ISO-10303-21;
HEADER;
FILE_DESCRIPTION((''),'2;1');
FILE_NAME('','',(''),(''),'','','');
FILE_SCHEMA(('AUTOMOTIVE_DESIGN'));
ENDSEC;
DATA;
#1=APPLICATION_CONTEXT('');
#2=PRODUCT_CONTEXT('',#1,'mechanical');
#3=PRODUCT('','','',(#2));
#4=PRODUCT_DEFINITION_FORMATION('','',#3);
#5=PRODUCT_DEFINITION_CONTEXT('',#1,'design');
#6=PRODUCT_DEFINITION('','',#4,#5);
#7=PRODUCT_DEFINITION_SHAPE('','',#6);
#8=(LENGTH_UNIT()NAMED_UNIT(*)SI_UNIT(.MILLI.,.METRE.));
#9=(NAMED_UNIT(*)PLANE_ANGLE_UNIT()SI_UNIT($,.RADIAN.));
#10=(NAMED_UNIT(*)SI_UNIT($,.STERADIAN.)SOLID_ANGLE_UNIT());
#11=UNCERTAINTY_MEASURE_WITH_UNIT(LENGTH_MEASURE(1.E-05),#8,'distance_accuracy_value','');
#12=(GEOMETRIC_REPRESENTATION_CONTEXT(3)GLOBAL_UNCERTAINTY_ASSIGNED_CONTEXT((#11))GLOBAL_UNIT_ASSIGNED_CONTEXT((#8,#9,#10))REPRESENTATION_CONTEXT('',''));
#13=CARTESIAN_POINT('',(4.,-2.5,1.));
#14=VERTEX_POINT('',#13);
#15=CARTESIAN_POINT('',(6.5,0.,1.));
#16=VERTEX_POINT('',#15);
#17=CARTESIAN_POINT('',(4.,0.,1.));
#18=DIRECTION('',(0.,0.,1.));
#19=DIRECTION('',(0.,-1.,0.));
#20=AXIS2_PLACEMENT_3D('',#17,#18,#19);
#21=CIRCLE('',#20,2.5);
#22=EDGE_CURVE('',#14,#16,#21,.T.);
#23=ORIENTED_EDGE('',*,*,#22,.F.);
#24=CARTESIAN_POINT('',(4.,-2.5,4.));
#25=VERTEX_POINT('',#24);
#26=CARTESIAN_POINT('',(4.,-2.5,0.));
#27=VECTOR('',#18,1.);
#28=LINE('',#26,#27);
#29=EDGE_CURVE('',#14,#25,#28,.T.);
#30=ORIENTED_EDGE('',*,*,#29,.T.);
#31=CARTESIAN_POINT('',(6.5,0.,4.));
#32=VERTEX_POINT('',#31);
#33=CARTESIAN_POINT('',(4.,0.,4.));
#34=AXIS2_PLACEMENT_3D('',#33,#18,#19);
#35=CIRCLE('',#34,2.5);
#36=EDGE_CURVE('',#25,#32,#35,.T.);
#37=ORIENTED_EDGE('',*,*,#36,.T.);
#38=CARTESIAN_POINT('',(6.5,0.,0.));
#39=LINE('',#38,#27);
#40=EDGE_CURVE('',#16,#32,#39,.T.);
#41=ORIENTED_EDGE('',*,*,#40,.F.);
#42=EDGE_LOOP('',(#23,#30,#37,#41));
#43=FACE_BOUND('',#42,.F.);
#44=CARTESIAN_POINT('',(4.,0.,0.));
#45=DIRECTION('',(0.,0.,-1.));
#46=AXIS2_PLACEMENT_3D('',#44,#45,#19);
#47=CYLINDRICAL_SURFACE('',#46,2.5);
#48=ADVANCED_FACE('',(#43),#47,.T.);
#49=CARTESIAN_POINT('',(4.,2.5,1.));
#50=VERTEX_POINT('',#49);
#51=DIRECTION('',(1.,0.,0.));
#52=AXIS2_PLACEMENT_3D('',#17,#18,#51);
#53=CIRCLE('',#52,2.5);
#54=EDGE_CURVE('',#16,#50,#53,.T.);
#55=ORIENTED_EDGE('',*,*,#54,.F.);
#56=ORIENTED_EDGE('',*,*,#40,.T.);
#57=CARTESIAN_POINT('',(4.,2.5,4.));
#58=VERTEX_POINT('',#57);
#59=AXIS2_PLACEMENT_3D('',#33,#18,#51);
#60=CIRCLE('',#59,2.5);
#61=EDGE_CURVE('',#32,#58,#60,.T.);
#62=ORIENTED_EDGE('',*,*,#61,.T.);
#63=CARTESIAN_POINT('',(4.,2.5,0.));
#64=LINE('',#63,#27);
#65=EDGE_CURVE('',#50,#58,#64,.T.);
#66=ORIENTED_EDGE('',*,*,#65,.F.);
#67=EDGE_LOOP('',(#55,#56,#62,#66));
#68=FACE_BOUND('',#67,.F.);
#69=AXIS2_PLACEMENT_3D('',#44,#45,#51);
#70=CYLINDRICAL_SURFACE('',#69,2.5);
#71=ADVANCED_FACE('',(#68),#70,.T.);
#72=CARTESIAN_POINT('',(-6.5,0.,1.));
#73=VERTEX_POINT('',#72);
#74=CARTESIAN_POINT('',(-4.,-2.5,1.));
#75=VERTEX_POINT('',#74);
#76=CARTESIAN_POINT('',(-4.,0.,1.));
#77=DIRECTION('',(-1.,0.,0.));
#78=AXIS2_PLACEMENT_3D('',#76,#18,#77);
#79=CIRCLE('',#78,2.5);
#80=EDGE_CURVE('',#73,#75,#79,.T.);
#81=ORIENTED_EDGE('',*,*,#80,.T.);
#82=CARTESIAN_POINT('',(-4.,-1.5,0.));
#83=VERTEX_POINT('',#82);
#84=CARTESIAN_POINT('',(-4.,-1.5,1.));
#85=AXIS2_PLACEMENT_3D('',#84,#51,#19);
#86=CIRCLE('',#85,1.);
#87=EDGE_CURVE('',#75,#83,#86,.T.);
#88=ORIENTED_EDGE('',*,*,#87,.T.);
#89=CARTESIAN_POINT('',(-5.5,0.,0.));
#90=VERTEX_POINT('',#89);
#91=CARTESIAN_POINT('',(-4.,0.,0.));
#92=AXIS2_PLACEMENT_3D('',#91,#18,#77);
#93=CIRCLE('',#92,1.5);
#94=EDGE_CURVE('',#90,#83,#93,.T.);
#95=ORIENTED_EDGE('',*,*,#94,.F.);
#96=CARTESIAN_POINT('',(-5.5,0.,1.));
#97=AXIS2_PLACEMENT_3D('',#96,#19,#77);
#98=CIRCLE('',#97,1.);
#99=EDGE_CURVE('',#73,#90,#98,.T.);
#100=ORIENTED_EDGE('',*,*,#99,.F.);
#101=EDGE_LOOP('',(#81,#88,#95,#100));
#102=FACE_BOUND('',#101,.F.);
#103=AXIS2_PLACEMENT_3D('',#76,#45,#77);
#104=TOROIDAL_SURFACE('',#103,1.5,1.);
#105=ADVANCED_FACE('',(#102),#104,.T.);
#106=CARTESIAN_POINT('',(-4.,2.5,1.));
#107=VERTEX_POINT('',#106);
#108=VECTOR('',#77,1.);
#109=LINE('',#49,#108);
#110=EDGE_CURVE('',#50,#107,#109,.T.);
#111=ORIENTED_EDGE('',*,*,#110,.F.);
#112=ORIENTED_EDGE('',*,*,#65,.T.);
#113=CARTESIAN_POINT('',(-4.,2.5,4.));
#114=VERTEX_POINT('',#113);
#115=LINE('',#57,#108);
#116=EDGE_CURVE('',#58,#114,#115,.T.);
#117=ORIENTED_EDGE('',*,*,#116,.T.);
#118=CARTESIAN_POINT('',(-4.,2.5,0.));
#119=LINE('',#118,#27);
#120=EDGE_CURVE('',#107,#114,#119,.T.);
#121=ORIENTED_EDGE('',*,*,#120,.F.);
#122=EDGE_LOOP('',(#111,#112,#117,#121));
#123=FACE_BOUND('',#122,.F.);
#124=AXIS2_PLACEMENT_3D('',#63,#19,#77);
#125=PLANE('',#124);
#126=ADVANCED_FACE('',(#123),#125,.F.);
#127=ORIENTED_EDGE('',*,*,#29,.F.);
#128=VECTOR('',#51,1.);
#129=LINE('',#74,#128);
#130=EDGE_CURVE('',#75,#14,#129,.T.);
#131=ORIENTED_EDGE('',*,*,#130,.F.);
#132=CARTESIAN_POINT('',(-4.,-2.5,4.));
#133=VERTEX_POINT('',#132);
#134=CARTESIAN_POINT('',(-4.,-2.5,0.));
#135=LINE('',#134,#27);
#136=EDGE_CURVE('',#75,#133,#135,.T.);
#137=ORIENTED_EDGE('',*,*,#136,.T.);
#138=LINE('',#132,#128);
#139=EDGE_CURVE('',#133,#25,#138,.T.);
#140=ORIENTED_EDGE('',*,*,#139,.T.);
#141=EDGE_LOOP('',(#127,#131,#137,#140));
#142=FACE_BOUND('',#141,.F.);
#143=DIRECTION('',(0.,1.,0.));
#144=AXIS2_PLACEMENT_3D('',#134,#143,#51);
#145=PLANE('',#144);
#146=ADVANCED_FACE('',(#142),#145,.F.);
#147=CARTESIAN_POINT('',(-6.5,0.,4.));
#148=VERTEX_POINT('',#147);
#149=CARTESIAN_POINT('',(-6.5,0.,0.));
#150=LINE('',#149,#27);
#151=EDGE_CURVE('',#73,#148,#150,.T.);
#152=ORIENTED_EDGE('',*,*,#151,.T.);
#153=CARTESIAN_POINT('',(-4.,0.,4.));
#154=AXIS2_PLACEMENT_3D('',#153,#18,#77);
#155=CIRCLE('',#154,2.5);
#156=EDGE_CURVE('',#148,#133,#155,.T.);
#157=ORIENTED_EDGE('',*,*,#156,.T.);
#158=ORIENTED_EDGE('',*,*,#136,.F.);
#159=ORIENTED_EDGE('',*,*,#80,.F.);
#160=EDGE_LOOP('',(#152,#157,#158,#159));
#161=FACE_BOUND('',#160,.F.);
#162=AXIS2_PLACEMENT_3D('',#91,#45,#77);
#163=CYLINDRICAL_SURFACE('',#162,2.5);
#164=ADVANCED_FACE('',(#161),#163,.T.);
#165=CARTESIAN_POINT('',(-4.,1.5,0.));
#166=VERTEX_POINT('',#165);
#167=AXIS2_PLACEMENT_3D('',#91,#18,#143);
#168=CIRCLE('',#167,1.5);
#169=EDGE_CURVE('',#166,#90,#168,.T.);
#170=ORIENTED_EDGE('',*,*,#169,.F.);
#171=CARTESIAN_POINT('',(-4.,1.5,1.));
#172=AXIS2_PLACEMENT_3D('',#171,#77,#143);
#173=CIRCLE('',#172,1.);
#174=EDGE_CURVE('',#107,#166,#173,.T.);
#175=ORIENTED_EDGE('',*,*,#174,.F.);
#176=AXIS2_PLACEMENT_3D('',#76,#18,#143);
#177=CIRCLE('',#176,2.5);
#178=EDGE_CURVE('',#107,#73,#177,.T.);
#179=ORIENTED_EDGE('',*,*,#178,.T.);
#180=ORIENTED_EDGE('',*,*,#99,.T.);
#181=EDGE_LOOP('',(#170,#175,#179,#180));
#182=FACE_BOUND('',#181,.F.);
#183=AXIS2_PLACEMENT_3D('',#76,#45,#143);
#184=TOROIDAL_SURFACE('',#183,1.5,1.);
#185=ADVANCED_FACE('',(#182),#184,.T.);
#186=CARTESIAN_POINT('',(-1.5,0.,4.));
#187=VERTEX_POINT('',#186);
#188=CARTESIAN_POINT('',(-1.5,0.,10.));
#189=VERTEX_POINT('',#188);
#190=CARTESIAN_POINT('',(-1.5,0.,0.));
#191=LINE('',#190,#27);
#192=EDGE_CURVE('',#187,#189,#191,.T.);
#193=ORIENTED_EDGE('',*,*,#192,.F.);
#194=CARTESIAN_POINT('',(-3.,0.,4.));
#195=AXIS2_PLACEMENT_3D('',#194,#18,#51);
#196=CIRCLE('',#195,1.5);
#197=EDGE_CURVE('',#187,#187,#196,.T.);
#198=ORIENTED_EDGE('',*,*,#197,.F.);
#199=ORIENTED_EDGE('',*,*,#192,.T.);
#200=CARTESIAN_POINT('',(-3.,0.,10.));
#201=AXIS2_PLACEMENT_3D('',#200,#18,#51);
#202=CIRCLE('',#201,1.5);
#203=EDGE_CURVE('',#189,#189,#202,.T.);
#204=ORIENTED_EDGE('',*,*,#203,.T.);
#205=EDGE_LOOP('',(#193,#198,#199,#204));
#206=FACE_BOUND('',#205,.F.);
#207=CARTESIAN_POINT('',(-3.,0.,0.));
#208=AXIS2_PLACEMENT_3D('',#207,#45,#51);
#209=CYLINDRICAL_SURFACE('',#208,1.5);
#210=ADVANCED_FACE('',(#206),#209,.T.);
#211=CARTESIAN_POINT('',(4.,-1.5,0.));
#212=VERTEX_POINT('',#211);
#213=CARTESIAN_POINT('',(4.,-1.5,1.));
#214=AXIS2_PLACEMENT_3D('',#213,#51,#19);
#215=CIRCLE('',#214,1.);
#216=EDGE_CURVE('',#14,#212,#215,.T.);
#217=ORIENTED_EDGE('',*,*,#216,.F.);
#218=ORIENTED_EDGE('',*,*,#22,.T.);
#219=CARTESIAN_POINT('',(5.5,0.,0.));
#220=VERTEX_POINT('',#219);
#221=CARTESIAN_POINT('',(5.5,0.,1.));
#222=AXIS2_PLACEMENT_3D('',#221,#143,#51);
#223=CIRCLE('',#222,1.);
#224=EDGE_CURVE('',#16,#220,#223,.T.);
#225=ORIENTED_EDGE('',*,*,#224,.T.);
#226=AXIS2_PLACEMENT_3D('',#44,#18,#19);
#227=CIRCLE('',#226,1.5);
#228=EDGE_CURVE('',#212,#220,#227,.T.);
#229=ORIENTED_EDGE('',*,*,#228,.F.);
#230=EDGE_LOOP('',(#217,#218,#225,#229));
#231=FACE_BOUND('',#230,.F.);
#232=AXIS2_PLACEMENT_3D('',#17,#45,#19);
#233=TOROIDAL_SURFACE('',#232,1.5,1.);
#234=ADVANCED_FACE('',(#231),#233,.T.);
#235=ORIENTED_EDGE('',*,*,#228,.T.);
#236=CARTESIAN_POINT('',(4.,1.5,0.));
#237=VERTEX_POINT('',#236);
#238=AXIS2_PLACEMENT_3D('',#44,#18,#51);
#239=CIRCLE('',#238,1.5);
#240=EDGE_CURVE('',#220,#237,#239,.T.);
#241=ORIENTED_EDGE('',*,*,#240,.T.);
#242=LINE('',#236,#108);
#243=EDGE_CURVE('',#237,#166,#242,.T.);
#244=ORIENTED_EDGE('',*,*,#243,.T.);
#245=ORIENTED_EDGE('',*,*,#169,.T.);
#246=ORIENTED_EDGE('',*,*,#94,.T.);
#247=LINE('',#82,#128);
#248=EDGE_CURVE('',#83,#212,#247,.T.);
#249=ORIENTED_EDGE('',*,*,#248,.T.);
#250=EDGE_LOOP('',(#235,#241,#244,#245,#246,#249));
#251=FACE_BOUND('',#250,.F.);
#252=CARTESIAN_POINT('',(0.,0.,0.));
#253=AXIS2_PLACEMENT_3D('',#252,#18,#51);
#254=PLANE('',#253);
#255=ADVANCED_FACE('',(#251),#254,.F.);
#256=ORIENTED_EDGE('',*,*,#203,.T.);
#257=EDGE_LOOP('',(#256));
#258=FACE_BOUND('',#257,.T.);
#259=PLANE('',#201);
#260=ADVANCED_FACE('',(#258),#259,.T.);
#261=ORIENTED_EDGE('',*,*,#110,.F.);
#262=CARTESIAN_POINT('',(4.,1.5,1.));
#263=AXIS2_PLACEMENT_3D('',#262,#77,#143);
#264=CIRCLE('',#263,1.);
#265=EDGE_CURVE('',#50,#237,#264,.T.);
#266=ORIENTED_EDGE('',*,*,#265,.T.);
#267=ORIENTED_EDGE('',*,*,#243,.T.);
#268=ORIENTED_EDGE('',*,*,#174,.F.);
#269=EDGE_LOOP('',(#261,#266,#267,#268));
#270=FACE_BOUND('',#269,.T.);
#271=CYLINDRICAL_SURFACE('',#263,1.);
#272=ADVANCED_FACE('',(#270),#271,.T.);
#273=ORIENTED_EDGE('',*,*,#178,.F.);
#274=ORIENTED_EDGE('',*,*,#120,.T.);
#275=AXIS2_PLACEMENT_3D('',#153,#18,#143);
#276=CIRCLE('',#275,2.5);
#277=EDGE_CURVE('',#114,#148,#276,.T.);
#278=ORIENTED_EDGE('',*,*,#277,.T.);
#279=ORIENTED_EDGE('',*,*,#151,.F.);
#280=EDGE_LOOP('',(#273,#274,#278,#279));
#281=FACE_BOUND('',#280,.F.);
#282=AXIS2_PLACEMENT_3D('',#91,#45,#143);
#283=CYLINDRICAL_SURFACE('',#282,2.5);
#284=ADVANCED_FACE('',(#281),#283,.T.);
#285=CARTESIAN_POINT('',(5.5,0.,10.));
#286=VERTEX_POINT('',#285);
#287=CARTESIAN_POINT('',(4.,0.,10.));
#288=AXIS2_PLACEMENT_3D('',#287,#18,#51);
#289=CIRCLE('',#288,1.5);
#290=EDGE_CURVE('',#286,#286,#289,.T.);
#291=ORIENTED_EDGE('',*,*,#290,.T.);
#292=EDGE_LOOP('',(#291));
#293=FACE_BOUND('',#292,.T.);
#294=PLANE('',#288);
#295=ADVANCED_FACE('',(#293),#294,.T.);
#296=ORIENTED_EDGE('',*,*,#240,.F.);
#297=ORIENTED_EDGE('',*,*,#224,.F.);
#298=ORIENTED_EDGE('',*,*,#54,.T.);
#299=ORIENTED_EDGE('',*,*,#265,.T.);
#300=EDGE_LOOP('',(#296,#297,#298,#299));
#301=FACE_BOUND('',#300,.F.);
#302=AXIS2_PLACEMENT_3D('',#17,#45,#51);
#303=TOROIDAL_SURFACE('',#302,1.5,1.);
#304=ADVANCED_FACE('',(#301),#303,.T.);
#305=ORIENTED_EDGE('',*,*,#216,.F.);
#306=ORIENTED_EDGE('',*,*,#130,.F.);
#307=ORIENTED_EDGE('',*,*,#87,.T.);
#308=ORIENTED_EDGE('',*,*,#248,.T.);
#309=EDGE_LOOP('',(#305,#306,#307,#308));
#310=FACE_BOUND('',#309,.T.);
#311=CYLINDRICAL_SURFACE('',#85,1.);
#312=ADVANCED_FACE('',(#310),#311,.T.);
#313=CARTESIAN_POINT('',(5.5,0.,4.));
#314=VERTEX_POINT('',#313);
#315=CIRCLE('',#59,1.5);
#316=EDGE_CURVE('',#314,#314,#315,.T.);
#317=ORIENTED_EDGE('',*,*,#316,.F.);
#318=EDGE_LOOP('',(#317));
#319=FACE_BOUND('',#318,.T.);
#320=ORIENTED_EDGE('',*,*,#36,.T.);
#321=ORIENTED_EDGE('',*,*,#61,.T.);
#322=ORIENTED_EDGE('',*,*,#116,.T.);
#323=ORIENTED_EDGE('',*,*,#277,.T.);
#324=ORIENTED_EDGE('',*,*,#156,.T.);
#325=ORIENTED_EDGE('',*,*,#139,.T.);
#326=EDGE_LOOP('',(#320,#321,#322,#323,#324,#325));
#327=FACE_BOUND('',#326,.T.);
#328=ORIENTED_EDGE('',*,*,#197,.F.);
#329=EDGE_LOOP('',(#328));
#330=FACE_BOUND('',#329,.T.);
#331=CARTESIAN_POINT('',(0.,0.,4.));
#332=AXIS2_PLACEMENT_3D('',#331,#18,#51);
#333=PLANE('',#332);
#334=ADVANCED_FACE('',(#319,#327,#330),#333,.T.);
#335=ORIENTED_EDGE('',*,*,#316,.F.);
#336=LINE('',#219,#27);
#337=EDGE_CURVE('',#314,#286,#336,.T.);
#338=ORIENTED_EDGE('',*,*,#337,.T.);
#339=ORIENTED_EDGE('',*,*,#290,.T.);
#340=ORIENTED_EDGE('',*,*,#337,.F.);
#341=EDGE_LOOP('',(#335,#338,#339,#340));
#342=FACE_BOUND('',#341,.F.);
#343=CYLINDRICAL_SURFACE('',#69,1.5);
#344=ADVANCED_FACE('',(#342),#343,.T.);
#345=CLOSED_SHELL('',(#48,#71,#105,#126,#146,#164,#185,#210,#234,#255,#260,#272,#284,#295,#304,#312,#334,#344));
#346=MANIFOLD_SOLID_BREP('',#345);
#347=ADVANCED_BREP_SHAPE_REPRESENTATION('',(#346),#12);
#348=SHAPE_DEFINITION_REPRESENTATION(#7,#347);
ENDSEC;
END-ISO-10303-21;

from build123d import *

# Parameters (mm, degrees)
F0_R     = 1.5
F1_DEPTH = 10
F2_DEPTH = 4
F3_R     = 1


with BuildPart() as f1:
    # F0 (on Top) → F1 (new body)
    with BuildSketch(Plane.XY):
        with Locations((4, 0)):
            Circle(F0_R)
    extrude(amount=F1_DEPTH)



with BuildPart() as f1b:
    # F0 (on Top) → F1, piece 2 (new body)
    with BuildSketch(Plane.XY):
        with Locations((-3, 0)):
            Circle(F0_R)
    extrude(amount=F1_DEPTH)


with BuildPart() as f1_1:
    add(f1.part)

    add(f1b.part)  # F2 merges F1b
    # F0 (on Top) → F2 (join)
    with BuildSketch(Plane.XY):
        with BuildLine():
            Line((4, 2.5), (-4, 2.5))
            ThreePointArc((-4, 2.5), (-5.767766953, 1.767766953), (-6.5, 0))
            ThreePointArc((-6.5, 0), (-5.767766953, -1.767766953), (-4, -2.5))
            Line((-4, -2.5), (4, -2.5))
            ThreePointArc((4, -2.5), (5.767766953, -1.767766953), (6.5, 0))
            ThreePointArc((6.5, 0), (5.767766953, 1.767766953), (4, 2.5))
        make_face()
        with Locations((-3, 0)):
            Circle(F0_R, mode=Mode.SUBTRACT)
        with Locations((4, 0)):
            Circle(F0_R, mode=Mode.SUBTRACT)
    extrude(amount=F2_DEPTH)

    # F3
    f3_edges = [f1_1.edges().sort_by_distance(p)[0] for p in [
        (0, 2.5, 0),
        (-6.5, 0, 0),
    ]]
    fillet(f3_edges, radius=F3_R)


solid = f1_1.part
